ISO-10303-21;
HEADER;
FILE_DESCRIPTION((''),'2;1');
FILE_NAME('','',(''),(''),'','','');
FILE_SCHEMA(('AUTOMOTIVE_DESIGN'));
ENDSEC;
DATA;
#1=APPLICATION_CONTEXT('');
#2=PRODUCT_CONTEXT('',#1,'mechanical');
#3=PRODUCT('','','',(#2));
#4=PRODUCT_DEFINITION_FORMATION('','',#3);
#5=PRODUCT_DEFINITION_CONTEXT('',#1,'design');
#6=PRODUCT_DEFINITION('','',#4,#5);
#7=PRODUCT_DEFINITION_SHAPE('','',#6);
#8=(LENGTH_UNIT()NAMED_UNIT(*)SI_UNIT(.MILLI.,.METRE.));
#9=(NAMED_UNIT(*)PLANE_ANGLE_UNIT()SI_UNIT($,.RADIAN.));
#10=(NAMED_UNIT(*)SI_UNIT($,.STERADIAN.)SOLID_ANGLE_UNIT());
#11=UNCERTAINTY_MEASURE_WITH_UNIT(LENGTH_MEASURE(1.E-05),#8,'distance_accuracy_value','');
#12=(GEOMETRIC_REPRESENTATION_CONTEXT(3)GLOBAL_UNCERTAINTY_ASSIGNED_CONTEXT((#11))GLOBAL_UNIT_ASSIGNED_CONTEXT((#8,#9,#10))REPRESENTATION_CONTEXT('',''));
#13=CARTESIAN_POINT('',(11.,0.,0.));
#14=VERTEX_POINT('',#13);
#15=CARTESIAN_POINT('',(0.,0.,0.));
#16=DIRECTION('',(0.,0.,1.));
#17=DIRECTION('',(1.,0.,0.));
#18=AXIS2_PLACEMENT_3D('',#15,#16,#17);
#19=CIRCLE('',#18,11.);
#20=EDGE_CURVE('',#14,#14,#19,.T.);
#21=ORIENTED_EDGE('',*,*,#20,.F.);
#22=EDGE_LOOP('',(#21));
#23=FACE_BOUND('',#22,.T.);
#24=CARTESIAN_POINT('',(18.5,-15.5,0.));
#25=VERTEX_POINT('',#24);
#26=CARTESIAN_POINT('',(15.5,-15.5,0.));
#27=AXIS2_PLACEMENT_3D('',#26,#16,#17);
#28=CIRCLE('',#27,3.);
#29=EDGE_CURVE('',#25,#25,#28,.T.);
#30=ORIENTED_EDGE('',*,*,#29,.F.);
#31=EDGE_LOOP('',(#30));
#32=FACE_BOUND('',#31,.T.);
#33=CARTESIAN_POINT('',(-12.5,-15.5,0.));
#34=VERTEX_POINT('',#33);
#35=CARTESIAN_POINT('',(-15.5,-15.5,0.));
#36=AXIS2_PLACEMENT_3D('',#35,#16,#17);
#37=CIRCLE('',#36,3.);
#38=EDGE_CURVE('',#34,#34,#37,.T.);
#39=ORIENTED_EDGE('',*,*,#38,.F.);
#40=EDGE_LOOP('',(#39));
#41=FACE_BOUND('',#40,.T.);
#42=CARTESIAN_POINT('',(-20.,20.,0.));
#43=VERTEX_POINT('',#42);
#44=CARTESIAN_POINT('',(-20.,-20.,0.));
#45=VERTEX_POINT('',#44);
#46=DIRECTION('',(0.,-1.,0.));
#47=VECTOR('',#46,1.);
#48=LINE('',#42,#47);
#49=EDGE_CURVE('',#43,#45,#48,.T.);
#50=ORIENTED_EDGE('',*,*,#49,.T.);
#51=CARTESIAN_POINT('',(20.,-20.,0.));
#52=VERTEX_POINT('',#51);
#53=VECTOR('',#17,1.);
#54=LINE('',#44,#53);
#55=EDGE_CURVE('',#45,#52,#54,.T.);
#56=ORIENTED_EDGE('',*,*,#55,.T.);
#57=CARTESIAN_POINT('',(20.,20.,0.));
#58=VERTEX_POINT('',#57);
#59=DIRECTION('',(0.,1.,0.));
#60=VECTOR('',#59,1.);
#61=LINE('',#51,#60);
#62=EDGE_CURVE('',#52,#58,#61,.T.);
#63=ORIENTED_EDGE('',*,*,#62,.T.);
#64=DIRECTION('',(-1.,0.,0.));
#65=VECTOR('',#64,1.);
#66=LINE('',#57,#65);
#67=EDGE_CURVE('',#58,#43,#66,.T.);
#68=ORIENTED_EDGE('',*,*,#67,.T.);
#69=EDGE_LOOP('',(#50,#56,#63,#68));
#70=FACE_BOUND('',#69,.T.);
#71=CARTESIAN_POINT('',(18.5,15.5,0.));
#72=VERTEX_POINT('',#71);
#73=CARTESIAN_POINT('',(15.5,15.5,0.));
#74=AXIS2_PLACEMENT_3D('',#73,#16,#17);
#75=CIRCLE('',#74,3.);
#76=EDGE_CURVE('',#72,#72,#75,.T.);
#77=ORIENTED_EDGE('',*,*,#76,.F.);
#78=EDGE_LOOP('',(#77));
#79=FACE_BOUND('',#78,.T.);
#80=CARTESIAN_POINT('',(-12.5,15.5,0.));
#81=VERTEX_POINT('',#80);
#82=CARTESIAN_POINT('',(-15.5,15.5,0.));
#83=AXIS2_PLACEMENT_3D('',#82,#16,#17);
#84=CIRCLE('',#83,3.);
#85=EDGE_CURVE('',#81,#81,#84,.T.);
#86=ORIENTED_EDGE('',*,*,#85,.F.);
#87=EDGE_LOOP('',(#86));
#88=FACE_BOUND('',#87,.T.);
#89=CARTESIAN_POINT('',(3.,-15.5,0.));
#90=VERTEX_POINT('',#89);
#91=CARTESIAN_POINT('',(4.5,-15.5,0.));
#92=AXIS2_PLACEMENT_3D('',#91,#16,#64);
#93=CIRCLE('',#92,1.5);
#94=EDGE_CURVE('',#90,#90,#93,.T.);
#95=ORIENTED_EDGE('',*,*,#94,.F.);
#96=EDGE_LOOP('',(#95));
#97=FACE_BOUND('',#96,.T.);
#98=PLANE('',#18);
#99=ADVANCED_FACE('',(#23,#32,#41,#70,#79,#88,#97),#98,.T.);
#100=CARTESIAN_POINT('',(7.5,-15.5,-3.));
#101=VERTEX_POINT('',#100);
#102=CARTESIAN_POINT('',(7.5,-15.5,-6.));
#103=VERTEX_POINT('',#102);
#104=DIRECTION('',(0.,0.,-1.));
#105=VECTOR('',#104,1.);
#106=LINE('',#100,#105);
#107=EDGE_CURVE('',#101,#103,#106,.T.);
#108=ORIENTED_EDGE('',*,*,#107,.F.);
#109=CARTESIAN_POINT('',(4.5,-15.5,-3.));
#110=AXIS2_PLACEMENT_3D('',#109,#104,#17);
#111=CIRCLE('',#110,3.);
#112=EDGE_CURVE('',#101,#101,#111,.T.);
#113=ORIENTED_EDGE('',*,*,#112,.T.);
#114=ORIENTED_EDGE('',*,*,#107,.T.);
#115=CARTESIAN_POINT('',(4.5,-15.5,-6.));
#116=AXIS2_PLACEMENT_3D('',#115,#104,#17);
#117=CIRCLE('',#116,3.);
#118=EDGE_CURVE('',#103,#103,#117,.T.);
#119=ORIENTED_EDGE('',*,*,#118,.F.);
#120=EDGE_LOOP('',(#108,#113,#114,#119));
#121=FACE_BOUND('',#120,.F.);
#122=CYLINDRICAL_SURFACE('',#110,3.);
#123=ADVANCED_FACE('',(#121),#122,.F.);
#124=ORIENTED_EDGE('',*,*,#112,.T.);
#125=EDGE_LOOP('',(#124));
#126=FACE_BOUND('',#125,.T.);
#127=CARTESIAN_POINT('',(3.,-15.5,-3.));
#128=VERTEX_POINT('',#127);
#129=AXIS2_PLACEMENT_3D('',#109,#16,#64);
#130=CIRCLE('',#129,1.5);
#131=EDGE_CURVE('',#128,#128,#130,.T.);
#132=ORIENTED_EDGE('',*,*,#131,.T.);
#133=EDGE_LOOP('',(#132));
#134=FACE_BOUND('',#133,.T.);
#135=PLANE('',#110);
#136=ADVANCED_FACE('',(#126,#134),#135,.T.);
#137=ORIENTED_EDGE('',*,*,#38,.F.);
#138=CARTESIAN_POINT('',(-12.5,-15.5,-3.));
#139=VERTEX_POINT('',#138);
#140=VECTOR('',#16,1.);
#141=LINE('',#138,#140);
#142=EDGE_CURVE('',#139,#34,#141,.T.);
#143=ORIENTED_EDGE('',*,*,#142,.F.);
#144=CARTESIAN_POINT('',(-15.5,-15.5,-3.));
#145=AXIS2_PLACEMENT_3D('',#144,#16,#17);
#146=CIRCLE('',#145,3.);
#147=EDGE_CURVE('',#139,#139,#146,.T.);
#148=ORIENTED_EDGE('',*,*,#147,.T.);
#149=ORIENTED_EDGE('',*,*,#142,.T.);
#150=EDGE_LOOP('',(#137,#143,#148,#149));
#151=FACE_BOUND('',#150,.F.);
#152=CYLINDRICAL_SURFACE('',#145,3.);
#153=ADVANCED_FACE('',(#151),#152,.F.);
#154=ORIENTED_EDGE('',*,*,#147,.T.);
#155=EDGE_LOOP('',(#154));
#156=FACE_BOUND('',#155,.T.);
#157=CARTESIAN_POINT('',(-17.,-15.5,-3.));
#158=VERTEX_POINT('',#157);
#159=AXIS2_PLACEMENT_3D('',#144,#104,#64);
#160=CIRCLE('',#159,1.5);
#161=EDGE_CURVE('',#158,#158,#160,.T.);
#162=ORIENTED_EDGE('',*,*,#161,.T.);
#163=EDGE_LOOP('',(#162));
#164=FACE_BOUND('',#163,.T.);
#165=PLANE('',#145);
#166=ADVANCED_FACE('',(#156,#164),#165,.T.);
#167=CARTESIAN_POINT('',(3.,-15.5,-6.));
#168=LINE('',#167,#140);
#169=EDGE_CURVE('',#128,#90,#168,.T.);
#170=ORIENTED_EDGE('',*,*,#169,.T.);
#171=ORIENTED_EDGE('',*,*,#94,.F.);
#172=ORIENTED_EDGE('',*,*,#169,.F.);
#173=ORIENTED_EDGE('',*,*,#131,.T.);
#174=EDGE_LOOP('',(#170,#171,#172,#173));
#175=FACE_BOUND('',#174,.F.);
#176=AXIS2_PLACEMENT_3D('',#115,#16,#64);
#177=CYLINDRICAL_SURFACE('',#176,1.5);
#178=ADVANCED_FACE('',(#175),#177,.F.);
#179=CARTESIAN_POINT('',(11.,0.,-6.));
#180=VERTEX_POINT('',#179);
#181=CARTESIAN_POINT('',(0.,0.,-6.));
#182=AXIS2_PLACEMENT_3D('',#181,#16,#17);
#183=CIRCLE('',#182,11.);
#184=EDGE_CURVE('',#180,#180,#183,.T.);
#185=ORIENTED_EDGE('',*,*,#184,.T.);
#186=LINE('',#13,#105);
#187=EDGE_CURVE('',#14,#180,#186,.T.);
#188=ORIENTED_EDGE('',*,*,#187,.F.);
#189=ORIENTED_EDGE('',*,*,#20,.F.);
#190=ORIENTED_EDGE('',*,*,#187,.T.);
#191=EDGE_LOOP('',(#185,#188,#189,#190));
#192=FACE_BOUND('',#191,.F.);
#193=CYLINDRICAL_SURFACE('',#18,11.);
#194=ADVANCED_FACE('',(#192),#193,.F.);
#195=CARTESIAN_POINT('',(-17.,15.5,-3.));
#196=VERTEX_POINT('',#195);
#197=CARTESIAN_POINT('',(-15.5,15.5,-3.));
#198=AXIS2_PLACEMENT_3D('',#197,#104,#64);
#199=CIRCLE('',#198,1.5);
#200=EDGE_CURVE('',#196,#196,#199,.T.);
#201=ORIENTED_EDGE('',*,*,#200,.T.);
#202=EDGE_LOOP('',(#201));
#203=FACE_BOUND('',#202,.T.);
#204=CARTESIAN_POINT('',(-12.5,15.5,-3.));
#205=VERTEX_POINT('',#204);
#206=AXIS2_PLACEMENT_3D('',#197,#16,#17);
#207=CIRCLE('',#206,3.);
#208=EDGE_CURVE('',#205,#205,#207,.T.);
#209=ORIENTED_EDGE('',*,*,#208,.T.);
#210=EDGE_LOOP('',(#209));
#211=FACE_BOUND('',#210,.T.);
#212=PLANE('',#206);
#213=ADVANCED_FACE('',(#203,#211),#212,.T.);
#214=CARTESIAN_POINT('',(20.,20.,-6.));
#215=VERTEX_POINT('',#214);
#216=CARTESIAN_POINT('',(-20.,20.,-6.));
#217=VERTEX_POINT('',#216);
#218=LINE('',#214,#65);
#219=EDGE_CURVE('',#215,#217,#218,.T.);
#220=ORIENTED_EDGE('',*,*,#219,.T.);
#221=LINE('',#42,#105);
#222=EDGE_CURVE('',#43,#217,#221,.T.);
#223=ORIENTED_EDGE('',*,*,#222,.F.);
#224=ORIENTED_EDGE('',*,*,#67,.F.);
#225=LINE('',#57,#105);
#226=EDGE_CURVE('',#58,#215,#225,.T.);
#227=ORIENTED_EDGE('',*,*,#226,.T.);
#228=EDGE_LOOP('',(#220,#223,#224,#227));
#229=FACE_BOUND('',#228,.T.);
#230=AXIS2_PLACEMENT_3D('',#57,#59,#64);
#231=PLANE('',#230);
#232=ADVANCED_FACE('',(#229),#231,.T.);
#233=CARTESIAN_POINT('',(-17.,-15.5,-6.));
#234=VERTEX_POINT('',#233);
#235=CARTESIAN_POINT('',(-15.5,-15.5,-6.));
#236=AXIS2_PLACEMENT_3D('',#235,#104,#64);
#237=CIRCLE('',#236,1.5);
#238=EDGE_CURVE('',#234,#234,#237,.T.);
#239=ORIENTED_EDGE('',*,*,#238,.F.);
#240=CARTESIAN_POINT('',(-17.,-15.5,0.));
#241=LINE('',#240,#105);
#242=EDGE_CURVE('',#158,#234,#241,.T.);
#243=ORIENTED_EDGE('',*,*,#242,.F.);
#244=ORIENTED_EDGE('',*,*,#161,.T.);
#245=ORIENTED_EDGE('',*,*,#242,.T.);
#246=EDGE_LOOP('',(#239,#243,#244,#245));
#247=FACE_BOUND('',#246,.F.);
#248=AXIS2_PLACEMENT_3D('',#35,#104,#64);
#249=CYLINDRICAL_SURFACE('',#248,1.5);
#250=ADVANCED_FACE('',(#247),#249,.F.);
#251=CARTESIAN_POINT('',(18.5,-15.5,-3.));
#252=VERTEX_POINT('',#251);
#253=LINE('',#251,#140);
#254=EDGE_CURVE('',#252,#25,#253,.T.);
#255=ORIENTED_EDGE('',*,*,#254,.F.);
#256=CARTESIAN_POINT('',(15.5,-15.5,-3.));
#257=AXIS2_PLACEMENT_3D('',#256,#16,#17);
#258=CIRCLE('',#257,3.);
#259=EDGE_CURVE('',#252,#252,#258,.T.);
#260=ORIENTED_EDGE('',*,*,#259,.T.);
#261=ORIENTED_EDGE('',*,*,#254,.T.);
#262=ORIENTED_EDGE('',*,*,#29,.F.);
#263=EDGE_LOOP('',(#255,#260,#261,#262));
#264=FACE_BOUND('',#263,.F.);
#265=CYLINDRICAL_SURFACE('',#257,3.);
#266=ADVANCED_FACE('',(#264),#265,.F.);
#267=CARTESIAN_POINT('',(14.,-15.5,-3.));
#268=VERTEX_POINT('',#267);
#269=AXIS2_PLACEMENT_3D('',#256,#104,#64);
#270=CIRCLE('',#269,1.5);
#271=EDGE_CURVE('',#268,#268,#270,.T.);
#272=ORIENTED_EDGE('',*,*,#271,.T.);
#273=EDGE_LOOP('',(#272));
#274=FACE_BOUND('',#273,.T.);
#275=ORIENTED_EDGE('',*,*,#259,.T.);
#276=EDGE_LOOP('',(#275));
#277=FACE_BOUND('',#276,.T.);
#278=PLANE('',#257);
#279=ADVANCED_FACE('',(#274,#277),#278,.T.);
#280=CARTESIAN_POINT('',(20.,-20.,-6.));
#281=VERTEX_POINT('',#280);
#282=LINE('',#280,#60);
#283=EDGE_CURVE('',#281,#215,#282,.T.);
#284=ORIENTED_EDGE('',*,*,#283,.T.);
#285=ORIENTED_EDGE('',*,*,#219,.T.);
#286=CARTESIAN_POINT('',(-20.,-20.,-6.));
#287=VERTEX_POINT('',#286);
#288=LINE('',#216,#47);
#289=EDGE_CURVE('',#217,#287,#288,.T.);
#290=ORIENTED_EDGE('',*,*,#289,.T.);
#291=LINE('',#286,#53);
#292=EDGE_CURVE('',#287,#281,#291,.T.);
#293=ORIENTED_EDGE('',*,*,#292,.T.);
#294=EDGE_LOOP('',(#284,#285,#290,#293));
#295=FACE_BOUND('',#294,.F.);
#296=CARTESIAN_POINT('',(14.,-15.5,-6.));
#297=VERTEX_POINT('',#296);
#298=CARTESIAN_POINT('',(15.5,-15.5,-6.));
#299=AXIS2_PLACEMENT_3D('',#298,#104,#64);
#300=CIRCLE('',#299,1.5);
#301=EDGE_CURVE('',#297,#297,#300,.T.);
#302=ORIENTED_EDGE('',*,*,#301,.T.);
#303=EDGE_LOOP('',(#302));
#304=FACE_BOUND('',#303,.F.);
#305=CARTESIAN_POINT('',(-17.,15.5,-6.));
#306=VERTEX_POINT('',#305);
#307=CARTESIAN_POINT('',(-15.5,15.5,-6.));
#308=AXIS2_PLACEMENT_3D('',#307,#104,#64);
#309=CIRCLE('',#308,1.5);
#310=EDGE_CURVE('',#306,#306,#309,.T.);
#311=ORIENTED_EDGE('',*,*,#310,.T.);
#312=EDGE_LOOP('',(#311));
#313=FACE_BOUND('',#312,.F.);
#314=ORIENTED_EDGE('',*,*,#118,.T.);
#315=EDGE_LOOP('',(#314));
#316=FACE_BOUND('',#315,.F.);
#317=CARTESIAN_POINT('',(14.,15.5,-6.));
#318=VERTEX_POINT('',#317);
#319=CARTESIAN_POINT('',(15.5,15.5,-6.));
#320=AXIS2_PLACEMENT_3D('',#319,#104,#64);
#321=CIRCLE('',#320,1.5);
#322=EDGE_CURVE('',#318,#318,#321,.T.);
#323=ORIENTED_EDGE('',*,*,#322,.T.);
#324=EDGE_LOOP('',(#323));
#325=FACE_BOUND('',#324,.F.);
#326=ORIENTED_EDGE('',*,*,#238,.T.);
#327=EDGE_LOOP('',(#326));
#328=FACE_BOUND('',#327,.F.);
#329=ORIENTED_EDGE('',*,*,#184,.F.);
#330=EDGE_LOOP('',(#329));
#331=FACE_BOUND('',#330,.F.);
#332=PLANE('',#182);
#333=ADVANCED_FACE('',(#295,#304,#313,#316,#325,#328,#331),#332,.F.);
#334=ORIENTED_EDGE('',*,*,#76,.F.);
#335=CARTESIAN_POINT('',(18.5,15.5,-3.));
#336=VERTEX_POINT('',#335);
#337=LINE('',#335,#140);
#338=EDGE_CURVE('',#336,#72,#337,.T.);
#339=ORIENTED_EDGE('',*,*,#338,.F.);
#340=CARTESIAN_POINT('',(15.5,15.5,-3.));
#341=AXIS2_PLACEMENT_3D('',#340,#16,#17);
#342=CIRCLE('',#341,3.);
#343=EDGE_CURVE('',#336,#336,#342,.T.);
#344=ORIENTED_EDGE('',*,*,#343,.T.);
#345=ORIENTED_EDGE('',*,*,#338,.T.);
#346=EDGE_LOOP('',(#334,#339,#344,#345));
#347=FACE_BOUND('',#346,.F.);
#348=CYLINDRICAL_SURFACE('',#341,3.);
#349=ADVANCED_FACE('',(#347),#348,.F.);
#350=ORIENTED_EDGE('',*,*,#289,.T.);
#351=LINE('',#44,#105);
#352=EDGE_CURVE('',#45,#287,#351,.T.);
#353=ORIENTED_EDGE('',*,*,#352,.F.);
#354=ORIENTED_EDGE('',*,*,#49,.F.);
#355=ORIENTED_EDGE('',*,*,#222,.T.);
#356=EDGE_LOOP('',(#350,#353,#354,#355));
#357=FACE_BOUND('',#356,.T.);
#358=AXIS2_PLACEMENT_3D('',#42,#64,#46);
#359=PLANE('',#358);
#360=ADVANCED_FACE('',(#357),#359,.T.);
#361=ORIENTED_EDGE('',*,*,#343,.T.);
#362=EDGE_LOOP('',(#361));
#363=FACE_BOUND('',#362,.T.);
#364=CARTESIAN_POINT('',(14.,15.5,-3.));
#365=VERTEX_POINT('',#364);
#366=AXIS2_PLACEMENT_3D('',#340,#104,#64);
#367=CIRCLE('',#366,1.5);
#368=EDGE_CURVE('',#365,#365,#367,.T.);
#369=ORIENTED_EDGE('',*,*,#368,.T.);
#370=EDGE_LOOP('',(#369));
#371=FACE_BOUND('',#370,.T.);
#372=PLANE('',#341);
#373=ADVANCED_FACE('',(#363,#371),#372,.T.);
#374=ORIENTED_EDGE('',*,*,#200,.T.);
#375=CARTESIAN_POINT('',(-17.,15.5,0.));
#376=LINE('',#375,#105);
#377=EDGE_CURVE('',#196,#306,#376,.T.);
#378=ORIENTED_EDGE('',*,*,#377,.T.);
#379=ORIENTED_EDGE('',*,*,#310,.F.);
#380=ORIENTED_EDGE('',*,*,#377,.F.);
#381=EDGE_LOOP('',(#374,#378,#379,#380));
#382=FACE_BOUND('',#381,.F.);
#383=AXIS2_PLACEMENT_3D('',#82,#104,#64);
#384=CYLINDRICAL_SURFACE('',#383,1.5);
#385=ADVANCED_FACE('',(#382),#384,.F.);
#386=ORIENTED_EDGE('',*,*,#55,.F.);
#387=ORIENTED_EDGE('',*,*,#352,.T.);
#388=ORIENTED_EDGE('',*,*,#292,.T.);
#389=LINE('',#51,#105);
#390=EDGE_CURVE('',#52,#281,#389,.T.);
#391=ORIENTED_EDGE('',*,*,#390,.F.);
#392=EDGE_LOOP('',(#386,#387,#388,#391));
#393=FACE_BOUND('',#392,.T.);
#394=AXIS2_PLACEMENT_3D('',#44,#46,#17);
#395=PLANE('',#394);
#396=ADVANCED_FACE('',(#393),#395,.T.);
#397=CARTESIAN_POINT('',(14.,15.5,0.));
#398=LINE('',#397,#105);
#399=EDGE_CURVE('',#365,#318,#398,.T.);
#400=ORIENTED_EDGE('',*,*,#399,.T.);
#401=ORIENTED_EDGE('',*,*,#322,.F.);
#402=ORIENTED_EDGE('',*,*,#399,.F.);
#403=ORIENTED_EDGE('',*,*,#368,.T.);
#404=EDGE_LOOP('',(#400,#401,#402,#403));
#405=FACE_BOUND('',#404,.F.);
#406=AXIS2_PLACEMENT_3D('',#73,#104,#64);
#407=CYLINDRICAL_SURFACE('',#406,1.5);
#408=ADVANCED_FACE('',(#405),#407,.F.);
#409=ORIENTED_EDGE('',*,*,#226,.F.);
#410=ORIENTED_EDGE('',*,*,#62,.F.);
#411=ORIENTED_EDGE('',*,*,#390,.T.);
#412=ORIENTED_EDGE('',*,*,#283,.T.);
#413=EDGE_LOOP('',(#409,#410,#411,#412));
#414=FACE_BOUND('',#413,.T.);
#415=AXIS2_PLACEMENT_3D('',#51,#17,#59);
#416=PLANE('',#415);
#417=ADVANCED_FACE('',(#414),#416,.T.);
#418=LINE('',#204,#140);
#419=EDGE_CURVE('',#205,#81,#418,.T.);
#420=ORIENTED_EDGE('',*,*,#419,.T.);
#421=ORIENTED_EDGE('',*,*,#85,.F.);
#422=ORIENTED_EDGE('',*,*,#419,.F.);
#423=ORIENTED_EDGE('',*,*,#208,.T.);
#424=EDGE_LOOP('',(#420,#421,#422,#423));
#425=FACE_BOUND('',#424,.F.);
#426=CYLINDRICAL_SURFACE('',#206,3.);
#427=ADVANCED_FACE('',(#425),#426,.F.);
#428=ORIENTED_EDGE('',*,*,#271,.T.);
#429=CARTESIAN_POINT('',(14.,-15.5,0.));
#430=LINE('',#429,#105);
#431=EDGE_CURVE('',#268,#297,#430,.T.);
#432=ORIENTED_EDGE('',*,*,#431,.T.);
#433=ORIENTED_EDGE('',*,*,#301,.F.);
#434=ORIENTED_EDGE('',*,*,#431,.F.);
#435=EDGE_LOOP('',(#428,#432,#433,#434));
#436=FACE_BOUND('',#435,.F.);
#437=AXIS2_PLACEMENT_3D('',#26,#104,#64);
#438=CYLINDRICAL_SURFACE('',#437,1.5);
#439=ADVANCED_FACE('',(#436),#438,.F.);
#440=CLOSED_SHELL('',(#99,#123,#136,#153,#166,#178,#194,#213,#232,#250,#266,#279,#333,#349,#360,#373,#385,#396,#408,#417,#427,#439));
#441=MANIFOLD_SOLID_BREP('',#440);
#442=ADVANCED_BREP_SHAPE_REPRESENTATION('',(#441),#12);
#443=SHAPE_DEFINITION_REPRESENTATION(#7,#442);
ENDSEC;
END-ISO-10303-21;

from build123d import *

# Parameters (mm, degrees)
F0_R           = 11
F1_DEPTH       = 6
F2_D           = 3
F2_CBORE_D     = 6
F2_CBORE_DEPTH = 3
F4_D           = 3
F4_CBORE_D     = 6
F4_CBORE_DEPTH = 3


with BuildPart() as f1:
    # F0 (on Top) → F1 (new body)
    with BuildSketch(Plane.XY):
        Polygon((0, -20), (20, -20), (20, 20), (-20, 20), (-20, -20), align=None)
        Polygon((15.5, -15.5), (0, -15.5), (-15.5, -15.5), (-15.5, 15.5), (15.5, 15.5), align=None, mode=Mode.SUBTRACT)
        Polygon((-15.5, -15.5), (0, -15.5), (15.5, -15.5), (15.5, 15.5), (-15.5, 15.5), align=None)
        Circle(F0_R, mode=Mode.SUBTRACT)
    extrude(amount=-F1_DEPTH)

    # F2 (through all)
    with Locations(Plane.XY):
        with Locations((15.5, 15.5), (15.5, -15.5), (-15.5, -15.5), (-15.5, 15.5)):
            CounterBoreHole(F2_D / 2, F2_CBORE_D / 2, F2_CBORE_DEPTH)

    # F4 (through all)
    with Locations(Plane(origin=(0, 0, -6), x_dir=(1, 0, 0), z_dir=(0, 0, -1))):
        with Locations((4.5, 15.5)):
            CounterBoreHole(F4_D / 2, F4_CBORE_D / 2, F4_CBORE_DEPTH)


solid = f1.part
